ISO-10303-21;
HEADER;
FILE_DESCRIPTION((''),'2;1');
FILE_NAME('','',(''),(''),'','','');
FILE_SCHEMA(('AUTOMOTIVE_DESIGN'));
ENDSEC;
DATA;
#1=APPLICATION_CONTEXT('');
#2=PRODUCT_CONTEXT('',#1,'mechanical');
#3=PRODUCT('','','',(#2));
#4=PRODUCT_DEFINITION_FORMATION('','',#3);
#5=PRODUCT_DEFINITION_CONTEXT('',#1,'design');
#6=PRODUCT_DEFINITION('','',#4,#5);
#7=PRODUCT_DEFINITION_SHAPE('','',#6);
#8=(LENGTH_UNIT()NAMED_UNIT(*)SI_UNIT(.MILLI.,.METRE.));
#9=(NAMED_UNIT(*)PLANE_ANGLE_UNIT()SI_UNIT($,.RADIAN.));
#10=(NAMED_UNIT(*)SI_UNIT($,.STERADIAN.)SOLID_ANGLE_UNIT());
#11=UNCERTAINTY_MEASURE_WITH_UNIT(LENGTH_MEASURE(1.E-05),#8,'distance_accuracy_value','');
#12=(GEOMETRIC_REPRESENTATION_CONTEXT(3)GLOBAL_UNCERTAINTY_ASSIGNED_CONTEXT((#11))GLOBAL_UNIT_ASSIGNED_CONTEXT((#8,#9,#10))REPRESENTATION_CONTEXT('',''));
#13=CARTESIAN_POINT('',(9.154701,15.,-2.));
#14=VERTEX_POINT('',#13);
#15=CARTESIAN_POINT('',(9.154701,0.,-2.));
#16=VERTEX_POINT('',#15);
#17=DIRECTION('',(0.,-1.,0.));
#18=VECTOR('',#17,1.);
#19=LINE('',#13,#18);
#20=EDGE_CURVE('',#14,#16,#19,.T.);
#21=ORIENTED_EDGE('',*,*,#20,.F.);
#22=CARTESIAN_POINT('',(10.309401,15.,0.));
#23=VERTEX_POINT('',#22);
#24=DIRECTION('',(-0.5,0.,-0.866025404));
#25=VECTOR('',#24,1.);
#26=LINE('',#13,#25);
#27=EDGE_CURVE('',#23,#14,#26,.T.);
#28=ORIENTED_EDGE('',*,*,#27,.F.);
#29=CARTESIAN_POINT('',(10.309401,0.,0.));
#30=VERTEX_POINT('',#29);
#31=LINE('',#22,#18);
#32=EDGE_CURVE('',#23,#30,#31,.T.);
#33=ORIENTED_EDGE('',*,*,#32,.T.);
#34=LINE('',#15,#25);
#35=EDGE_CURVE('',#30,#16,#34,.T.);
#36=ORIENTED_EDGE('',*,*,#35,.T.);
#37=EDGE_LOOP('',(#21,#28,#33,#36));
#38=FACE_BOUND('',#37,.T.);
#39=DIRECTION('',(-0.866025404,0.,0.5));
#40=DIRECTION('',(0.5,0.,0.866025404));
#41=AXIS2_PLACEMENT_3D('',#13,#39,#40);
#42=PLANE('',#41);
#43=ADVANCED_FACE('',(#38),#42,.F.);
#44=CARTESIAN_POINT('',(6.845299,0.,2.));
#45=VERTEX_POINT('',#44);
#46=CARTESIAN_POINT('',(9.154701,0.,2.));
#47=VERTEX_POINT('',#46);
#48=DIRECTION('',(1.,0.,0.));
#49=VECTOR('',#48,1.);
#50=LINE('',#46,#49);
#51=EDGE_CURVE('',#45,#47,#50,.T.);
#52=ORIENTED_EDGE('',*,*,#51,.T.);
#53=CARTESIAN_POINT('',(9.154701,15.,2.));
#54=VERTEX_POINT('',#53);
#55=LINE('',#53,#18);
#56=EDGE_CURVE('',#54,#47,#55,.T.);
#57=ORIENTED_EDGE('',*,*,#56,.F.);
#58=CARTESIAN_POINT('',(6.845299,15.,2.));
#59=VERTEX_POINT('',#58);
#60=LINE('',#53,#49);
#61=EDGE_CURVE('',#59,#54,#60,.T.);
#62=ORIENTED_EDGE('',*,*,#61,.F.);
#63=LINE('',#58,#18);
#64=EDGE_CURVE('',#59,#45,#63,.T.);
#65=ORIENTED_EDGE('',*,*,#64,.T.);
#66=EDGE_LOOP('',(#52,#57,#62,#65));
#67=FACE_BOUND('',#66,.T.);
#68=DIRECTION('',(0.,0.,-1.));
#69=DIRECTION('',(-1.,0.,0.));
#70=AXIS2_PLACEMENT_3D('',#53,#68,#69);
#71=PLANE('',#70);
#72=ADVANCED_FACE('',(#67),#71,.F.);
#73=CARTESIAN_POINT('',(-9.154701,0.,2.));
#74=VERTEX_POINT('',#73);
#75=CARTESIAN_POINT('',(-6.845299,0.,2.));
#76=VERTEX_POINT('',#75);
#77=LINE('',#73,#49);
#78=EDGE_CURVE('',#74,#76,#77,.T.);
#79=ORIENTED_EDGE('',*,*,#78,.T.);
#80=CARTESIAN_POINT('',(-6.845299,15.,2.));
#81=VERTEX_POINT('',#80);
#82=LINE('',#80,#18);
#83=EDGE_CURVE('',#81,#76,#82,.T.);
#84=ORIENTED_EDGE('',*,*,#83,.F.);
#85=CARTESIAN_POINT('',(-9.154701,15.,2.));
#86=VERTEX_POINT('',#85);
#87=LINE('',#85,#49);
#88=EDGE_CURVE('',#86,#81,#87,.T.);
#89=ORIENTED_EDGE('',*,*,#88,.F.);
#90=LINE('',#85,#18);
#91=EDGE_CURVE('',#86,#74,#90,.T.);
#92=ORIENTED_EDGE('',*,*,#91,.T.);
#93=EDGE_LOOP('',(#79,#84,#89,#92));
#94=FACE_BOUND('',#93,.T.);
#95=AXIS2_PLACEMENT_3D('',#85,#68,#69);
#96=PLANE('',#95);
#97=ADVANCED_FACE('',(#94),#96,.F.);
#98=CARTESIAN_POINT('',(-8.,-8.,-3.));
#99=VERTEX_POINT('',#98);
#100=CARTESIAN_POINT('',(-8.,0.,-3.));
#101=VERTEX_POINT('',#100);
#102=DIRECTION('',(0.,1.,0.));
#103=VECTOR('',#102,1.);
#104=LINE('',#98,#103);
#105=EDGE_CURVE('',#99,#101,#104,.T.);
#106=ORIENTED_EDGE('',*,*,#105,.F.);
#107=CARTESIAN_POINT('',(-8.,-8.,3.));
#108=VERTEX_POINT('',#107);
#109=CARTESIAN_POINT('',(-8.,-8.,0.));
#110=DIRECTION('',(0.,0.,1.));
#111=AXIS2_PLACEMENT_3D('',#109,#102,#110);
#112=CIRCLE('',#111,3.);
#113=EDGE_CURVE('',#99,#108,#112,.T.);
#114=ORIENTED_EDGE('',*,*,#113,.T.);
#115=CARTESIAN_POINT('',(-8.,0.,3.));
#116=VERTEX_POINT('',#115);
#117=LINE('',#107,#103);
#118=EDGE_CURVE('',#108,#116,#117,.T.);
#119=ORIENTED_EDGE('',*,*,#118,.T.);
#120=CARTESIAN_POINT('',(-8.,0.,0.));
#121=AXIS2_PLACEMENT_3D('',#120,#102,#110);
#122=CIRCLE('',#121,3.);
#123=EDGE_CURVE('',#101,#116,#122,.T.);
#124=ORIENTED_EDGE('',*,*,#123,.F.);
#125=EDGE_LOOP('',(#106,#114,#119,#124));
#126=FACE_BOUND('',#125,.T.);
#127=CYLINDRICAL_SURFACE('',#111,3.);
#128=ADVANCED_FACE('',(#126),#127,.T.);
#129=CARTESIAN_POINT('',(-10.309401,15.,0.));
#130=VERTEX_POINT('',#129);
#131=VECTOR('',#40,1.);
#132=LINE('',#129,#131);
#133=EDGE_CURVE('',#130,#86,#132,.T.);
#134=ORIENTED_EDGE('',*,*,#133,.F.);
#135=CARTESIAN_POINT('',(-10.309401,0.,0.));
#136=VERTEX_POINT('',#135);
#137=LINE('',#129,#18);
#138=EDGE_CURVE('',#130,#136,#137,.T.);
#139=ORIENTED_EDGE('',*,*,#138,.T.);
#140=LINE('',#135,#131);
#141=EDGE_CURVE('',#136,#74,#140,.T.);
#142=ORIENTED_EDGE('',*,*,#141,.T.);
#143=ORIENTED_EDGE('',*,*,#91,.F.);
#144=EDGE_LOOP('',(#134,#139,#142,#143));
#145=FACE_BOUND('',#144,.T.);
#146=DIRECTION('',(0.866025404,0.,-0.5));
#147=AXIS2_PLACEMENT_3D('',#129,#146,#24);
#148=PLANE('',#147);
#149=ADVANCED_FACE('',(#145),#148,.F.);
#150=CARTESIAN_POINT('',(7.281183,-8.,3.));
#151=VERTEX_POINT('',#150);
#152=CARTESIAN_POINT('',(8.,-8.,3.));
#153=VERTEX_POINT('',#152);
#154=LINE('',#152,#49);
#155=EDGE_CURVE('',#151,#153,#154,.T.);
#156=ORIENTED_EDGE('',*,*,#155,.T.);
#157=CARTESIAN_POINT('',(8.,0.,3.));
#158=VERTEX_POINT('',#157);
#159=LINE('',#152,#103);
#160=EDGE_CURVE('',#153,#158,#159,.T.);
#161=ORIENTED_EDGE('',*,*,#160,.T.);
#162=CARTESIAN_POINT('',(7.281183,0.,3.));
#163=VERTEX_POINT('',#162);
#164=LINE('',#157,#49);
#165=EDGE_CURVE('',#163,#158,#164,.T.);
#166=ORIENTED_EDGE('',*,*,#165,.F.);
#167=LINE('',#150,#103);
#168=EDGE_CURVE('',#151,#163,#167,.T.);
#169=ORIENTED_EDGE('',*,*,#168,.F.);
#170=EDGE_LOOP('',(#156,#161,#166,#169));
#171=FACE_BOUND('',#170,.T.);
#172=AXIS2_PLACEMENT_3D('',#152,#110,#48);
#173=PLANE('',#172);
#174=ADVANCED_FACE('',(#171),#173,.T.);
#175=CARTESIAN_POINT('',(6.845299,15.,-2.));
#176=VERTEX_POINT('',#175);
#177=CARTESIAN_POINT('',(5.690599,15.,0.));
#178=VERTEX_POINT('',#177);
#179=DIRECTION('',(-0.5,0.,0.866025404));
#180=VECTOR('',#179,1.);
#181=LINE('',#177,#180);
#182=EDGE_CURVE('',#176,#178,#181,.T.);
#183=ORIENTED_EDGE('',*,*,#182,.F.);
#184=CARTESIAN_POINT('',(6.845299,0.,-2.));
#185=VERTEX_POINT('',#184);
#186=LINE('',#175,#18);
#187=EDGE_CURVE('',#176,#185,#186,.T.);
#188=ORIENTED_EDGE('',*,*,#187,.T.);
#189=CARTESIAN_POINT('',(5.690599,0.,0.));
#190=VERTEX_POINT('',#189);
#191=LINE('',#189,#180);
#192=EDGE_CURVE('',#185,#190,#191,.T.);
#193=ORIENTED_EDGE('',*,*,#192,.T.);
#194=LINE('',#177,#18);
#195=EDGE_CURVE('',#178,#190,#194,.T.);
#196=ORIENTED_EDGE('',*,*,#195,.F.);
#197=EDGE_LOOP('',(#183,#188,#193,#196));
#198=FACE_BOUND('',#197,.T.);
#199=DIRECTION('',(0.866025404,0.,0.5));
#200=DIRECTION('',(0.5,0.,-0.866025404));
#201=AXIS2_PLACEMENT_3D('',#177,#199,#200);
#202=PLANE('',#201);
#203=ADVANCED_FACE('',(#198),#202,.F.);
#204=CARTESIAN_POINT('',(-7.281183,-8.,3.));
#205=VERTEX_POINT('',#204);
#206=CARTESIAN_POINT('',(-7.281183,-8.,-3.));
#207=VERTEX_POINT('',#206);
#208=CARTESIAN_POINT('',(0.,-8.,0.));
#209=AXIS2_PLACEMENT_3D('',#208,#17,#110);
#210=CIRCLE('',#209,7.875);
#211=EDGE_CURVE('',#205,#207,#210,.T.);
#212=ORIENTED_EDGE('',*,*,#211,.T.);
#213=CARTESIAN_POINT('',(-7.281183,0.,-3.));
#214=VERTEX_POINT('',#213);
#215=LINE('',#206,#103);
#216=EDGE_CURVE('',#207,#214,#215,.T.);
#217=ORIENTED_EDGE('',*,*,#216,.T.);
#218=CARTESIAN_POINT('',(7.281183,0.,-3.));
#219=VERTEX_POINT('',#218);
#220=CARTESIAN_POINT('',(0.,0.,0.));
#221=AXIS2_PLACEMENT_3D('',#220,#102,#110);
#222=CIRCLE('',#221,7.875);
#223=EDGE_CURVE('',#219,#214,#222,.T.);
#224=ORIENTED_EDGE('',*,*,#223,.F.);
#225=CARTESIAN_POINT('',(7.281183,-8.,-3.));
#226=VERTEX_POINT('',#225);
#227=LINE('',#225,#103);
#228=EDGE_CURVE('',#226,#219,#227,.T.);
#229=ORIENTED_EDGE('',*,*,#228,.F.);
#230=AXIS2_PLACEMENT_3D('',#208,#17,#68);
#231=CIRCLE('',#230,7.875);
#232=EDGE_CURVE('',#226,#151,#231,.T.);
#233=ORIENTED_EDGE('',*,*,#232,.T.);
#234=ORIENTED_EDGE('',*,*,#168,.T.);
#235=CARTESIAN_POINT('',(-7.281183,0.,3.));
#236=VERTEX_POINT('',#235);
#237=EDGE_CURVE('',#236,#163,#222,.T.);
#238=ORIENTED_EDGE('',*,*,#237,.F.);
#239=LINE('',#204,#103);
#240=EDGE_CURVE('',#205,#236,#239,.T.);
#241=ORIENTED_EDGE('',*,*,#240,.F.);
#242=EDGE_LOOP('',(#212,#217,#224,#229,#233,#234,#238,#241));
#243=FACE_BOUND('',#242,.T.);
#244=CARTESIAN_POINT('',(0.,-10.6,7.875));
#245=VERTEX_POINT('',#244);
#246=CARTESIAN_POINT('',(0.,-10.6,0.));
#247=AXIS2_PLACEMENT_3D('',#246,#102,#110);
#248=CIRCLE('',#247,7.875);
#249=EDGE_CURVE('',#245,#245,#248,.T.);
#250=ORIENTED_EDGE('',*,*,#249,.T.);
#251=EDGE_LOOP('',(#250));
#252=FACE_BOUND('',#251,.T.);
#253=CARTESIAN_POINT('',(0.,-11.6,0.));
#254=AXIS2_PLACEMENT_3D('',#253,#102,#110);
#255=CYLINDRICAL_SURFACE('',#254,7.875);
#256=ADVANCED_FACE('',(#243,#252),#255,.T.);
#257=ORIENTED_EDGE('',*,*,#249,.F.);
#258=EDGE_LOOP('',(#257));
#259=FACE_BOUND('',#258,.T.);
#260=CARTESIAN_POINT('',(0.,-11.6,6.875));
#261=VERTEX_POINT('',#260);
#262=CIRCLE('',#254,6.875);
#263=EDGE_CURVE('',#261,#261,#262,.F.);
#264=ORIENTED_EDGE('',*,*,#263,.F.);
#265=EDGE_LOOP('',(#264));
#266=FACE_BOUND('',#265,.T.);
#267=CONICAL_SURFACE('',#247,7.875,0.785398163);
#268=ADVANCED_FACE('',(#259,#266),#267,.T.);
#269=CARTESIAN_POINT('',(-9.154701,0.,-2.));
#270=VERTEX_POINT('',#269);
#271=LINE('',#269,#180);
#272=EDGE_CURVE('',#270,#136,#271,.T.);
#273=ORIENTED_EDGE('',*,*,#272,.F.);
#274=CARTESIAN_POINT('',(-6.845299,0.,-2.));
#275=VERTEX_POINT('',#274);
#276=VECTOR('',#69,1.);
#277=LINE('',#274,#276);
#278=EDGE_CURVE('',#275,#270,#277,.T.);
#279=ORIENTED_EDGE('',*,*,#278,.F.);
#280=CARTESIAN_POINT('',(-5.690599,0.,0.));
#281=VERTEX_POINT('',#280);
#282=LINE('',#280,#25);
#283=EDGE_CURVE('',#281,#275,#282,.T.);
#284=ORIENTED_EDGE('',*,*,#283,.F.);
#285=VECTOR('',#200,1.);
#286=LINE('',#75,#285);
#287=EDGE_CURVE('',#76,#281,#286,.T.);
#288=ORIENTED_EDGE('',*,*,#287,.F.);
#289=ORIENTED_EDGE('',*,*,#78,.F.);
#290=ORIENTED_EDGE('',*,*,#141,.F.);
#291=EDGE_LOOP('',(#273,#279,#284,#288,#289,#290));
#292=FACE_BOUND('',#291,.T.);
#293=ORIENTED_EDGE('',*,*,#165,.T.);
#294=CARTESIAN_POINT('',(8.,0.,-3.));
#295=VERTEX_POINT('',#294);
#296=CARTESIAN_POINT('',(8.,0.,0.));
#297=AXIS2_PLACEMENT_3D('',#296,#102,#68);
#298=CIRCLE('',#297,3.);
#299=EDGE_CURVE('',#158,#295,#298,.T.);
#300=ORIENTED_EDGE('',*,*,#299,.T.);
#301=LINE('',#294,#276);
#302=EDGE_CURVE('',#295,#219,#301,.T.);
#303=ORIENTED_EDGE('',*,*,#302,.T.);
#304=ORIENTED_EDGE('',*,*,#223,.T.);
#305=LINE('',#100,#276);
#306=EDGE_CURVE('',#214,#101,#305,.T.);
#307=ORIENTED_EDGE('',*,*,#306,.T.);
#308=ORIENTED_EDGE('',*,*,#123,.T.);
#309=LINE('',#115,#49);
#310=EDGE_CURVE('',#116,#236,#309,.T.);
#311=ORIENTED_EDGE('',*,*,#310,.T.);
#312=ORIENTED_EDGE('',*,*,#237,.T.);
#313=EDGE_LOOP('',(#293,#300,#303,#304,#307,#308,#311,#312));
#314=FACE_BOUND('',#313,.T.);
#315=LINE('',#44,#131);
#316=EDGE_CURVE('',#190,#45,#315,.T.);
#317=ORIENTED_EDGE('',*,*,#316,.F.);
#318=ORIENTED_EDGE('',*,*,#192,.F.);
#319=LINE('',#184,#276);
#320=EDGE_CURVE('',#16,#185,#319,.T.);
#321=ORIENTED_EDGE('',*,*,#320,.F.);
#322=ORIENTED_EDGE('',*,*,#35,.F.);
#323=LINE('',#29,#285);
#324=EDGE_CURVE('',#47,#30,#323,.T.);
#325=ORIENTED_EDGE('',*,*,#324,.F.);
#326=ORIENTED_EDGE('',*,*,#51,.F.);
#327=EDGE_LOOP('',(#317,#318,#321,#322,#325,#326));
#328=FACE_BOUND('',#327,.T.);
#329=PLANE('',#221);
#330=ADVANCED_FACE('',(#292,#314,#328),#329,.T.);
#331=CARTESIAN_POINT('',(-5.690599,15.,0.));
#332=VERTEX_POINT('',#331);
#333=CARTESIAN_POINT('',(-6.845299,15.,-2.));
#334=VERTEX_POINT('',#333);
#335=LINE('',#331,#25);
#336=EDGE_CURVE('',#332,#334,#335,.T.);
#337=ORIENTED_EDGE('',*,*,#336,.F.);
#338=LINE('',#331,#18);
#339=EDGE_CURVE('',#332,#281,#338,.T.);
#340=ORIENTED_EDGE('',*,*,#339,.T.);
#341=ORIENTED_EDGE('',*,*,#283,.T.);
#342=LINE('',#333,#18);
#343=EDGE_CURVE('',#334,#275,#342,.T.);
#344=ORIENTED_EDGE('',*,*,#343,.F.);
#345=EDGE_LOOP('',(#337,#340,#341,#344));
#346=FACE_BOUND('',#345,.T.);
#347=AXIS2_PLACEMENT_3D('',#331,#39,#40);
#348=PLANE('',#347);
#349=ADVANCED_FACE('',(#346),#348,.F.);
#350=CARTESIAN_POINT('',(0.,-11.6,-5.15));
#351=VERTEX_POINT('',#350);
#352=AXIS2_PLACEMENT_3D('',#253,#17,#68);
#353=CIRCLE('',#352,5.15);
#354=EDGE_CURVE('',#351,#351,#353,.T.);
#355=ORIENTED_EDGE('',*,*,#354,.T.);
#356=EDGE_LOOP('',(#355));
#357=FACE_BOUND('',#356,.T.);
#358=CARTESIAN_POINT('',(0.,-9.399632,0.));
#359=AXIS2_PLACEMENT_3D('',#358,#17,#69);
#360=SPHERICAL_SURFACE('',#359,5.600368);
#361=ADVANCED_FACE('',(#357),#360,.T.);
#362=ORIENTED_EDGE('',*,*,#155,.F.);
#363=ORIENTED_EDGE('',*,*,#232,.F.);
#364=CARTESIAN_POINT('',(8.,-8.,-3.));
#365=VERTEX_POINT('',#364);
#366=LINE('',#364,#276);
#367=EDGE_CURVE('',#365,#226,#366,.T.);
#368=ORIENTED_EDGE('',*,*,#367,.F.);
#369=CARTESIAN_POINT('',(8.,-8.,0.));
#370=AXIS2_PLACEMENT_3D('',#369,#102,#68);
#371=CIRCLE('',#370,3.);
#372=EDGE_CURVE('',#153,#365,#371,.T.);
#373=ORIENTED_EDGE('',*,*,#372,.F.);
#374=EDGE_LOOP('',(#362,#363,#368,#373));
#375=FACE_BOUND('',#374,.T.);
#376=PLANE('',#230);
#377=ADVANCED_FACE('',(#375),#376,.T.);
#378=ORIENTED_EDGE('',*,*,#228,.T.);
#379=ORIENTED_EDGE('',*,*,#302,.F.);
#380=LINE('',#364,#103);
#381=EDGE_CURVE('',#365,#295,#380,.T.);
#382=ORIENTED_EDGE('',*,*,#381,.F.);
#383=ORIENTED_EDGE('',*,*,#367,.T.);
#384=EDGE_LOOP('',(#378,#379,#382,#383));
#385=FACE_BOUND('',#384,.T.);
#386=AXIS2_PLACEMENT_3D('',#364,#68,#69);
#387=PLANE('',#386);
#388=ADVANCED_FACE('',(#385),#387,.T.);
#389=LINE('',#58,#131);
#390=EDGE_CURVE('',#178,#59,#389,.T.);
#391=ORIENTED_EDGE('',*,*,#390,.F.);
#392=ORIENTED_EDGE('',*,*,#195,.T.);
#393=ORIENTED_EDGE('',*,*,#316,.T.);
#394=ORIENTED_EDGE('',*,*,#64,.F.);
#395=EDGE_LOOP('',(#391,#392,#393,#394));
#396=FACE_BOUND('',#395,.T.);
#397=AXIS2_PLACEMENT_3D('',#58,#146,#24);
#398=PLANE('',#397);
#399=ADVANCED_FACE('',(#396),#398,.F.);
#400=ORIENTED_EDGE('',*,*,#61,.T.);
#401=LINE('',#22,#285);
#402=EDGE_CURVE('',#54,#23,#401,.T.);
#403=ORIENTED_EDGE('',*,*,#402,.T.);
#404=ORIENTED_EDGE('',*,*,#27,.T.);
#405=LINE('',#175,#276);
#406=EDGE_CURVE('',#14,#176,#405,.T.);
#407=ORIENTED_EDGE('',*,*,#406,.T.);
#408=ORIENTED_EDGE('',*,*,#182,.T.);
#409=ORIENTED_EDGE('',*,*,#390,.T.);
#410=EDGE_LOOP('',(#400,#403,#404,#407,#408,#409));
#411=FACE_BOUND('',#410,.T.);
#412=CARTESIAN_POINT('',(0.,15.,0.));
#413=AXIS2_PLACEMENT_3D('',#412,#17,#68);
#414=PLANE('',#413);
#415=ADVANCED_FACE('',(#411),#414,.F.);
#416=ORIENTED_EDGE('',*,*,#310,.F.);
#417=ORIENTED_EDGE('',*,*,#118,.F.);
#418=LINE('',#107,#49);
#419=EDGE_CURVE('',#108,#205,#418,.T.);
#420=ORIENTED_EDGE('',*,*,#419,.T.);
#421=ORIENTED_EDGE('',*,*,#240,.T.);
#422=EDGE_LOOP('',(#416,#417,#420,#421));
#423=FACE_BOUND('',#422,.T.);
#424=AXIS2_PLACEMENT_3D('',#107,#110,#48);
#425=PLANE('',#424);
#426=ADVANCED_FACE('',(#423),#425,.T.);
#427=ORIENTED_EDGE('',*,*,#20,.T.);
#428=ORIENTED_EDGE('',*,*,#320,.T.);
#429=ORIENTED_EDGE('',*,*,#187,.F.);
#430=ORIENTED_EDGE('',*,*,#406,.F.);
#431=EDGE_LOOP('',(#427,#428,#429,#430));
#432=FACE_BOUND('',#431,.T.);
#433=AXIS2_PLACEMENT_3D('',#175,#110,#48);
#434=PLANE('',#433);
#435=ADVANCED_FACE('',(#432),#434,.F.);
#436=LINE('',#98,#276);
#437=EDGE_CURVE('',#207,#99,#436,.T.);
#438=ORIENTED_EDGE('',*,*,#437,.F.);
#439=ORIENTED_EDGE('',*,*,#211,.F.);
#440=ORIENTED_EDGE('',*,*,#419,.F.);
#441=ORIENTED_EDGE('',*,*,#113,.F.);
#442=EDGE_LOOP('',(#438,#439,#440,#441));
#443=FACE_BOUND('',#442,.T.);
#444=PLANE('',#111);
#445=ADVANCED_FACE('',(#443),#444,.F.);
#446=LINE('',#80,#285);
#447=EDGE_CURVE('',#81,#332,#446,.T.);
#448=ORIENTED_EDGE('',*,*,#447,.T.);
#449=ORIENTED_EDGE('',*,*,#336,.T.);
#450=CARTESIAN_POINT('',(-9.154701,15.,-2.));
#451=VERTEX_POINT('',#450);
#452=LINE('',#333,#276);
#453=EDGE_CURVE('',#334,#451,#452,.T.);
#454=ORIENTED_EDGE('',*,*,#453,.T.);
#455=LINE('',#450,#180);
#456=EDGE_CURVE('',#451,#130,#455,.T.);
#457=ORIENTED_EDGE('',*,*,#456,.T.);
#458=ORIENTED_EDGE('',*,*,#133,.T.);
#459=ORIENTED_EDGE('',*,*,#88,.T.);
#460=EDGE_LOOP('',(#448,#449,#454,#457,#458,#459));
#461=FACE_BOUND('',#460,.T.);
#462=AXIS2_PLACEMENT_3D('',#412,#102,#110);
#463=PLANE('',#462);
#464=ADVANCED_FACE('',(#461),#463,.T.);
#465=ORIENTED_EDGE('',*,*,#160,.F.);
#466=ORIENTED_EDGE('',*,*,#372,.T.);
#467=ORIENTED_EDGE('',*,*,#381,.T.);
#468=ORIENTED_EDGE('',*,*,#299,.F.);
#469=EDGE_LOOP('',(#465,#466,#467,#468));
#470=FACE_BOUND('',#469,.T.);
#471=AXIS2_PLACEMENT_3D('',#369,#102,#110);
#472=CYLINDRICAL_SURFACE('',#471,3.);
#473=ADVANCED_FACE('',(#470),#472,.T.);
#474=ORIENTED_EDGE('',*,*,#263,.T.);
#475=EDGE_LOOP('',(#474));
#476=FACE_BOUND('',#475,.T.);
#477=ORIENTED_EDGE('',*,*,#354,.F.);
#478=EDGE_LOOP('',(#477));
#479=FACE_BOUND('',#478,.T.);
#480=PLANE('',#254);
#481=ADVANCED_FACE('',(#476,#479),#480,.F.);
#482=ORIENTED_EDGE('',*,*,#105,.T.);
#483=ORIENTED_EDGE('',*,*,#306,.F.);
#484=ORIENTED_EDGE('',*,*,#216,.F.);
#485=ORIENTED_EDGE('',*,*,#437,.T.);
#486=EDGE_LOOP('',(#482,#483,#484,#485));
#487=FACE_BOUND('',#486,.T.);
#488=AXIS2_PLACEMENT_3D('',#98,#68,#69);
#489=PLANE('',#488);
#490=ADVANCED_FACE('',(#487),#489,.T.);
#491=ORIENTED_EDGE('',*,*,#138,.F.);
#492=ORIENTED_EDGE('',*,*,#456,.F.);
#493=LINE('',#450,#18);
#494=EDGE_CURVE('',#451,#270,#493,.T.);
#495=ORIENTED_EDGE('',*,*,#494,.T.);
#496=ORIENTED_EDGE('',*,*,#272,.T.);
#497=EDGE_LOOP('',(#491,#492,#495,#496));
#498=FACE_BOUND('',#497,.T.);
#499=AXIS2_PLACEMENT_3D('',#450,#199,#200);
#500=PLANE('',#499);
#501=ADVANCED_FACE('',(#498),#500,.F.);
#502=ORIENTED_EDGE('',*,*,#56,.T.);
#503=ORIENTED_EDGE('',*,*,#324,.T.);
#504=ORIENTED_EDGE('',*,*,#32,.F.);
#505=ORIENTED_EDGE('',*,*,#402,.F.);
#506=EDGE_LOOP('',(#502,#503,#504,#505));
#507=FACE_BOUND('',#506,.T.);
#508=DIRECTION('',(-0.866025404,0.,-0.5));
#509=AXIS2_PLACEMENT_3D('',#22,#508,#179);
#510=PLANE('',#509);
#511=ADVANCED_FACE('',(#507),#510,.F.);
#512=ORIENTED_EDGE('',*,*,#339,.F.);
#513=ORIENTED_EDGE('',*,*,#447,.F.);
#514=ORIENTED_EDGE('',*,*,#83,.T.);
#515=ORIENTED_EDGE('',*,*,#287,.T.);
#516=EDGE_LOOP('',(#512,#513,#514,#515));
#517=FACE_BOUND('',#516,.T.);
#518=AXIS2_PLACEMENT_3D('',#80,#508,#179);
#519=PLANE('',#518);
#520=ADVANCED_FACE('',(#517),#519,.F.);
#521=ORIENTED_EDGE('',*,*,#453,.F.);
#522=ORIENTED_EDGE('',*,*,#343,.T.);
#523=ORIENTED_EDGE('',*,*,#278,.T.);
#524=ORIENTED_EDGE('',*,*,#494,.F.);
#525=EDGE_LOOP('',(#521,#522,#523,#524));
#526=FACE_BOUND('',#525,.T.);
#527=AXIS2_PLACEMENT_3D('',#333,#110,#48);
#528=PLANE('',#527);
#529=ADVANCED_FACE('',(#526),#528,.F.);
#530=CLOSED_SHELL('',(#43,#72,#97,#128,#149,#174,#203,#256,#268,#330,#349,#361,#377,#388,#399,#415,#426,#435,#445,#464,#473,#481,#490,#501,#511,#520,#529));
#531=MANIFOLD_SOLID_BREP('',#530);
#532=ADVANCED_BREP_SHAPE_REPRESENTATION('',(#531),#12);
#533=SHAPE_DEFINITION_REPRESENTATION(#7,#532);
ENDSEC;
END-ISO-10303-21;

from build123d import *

# Parameters (mm, degrees)
SKETCH1_R           = 7.875
BOSS_EXTRUDE1_DEPTH = 11.6
BOSS_EXTRUDE2_DEPTH = 8
BOSS_EXTRUDE3_DEPTH = 15
CHAMFER1_SIZE       = 1


with BuildPart() as part:
    # Sketch1 → Boss-Extrude1 (new body)
    with BuildSketch(Plane(origin=(0, 0, 0), x_dir=(1, 0, 0), z_dir=(0, 1, 0))):
        with Locations(Location((0, 0, 0), (0, 0, 270))):
            Circle(SKETCH1_R)
    extrude(amount=-BOSS_EXTRUDE1_DEPTH)

    # Sketch2 → Boss-Extrude2 (add)
    with BuildSketch(Plane(origin=(0, 0, 0), x_dir=(1, 0, 0), z_dir=(0, 1, 0))):
        with BuildLine():
            Line((-8, 3), (-7.28118294, 3))
            ThreePointArc((-7.28118294, 3), (-7.875, 0), (-7.28118294, -3))
            Line((-7.28118294, -3), (-8, -3))
            ThreePointArc((-8, -3), (-11, 0), (-8, 3))
        make_face()
        with BuildLine():
            Line((8, -3), (7.28118294, -3))
            ThreePointArc((7.28118294, -3), (7.875, 0), (7.28118294, 3))
            Line((7.28118294, 3), (8, 3))
            ThreePointArc((8, 3), (11, 0), (8, -3))
        make_face()
    extrude(amount=-BOSS_EXTRUDE2_DEPTH)

    # Sketch3 → Boss-Extrude3 (add)
    with BuildSketch(Plane(origin=(0, 0, 0), x_dir=(1, 0, 0), z_dir=(0, 1, 0))):
        Polygon((6.845299462, -2), (5.690598923, 0), (6.845299462, 2), (9.154700538, 2), (10.309401077, 0), (9.154700538, -2), align=None)
        Polygon((-5.690598923, 0), (-6.845299462, 2), (-9.154700538, 2), (-10.309401077, 0), (-9.154700538, -2), (-6.845299462, -2), align=None)
    extrude(amount=BOSS_EXTRUDE3_DEPTH)

    # Sketch4 → Revolve1 (revolve)
    with BuildSketch(Plane.XY, mode=Mode.PRIVATE) as revolve1_sk:
        with BuildLine():
            Line((0, -11.6), (5.15, -11.6))
            ThreePointArc((5.15, -11.6), (3.085551004, -14.073334609), (0, -15))
            Line((0, -15), (0, -11.6))
        make_face()
    revolve(revolve1_sk.sketch.rotate(Axis((0, -15, 0), (0, 1, 0)), 180), axis=Axis((0, -15, 0), (0, 1, 0)))

    # Chamfer1
    chamfer1_edges = [part.edges().sort_by_distance(p)[0] for p in [
        (0, -11.6, -7.875),
    ]]
    chamfer(chamfer1_edges, length=CHAMFER1_SIZE)


solid = part.part
